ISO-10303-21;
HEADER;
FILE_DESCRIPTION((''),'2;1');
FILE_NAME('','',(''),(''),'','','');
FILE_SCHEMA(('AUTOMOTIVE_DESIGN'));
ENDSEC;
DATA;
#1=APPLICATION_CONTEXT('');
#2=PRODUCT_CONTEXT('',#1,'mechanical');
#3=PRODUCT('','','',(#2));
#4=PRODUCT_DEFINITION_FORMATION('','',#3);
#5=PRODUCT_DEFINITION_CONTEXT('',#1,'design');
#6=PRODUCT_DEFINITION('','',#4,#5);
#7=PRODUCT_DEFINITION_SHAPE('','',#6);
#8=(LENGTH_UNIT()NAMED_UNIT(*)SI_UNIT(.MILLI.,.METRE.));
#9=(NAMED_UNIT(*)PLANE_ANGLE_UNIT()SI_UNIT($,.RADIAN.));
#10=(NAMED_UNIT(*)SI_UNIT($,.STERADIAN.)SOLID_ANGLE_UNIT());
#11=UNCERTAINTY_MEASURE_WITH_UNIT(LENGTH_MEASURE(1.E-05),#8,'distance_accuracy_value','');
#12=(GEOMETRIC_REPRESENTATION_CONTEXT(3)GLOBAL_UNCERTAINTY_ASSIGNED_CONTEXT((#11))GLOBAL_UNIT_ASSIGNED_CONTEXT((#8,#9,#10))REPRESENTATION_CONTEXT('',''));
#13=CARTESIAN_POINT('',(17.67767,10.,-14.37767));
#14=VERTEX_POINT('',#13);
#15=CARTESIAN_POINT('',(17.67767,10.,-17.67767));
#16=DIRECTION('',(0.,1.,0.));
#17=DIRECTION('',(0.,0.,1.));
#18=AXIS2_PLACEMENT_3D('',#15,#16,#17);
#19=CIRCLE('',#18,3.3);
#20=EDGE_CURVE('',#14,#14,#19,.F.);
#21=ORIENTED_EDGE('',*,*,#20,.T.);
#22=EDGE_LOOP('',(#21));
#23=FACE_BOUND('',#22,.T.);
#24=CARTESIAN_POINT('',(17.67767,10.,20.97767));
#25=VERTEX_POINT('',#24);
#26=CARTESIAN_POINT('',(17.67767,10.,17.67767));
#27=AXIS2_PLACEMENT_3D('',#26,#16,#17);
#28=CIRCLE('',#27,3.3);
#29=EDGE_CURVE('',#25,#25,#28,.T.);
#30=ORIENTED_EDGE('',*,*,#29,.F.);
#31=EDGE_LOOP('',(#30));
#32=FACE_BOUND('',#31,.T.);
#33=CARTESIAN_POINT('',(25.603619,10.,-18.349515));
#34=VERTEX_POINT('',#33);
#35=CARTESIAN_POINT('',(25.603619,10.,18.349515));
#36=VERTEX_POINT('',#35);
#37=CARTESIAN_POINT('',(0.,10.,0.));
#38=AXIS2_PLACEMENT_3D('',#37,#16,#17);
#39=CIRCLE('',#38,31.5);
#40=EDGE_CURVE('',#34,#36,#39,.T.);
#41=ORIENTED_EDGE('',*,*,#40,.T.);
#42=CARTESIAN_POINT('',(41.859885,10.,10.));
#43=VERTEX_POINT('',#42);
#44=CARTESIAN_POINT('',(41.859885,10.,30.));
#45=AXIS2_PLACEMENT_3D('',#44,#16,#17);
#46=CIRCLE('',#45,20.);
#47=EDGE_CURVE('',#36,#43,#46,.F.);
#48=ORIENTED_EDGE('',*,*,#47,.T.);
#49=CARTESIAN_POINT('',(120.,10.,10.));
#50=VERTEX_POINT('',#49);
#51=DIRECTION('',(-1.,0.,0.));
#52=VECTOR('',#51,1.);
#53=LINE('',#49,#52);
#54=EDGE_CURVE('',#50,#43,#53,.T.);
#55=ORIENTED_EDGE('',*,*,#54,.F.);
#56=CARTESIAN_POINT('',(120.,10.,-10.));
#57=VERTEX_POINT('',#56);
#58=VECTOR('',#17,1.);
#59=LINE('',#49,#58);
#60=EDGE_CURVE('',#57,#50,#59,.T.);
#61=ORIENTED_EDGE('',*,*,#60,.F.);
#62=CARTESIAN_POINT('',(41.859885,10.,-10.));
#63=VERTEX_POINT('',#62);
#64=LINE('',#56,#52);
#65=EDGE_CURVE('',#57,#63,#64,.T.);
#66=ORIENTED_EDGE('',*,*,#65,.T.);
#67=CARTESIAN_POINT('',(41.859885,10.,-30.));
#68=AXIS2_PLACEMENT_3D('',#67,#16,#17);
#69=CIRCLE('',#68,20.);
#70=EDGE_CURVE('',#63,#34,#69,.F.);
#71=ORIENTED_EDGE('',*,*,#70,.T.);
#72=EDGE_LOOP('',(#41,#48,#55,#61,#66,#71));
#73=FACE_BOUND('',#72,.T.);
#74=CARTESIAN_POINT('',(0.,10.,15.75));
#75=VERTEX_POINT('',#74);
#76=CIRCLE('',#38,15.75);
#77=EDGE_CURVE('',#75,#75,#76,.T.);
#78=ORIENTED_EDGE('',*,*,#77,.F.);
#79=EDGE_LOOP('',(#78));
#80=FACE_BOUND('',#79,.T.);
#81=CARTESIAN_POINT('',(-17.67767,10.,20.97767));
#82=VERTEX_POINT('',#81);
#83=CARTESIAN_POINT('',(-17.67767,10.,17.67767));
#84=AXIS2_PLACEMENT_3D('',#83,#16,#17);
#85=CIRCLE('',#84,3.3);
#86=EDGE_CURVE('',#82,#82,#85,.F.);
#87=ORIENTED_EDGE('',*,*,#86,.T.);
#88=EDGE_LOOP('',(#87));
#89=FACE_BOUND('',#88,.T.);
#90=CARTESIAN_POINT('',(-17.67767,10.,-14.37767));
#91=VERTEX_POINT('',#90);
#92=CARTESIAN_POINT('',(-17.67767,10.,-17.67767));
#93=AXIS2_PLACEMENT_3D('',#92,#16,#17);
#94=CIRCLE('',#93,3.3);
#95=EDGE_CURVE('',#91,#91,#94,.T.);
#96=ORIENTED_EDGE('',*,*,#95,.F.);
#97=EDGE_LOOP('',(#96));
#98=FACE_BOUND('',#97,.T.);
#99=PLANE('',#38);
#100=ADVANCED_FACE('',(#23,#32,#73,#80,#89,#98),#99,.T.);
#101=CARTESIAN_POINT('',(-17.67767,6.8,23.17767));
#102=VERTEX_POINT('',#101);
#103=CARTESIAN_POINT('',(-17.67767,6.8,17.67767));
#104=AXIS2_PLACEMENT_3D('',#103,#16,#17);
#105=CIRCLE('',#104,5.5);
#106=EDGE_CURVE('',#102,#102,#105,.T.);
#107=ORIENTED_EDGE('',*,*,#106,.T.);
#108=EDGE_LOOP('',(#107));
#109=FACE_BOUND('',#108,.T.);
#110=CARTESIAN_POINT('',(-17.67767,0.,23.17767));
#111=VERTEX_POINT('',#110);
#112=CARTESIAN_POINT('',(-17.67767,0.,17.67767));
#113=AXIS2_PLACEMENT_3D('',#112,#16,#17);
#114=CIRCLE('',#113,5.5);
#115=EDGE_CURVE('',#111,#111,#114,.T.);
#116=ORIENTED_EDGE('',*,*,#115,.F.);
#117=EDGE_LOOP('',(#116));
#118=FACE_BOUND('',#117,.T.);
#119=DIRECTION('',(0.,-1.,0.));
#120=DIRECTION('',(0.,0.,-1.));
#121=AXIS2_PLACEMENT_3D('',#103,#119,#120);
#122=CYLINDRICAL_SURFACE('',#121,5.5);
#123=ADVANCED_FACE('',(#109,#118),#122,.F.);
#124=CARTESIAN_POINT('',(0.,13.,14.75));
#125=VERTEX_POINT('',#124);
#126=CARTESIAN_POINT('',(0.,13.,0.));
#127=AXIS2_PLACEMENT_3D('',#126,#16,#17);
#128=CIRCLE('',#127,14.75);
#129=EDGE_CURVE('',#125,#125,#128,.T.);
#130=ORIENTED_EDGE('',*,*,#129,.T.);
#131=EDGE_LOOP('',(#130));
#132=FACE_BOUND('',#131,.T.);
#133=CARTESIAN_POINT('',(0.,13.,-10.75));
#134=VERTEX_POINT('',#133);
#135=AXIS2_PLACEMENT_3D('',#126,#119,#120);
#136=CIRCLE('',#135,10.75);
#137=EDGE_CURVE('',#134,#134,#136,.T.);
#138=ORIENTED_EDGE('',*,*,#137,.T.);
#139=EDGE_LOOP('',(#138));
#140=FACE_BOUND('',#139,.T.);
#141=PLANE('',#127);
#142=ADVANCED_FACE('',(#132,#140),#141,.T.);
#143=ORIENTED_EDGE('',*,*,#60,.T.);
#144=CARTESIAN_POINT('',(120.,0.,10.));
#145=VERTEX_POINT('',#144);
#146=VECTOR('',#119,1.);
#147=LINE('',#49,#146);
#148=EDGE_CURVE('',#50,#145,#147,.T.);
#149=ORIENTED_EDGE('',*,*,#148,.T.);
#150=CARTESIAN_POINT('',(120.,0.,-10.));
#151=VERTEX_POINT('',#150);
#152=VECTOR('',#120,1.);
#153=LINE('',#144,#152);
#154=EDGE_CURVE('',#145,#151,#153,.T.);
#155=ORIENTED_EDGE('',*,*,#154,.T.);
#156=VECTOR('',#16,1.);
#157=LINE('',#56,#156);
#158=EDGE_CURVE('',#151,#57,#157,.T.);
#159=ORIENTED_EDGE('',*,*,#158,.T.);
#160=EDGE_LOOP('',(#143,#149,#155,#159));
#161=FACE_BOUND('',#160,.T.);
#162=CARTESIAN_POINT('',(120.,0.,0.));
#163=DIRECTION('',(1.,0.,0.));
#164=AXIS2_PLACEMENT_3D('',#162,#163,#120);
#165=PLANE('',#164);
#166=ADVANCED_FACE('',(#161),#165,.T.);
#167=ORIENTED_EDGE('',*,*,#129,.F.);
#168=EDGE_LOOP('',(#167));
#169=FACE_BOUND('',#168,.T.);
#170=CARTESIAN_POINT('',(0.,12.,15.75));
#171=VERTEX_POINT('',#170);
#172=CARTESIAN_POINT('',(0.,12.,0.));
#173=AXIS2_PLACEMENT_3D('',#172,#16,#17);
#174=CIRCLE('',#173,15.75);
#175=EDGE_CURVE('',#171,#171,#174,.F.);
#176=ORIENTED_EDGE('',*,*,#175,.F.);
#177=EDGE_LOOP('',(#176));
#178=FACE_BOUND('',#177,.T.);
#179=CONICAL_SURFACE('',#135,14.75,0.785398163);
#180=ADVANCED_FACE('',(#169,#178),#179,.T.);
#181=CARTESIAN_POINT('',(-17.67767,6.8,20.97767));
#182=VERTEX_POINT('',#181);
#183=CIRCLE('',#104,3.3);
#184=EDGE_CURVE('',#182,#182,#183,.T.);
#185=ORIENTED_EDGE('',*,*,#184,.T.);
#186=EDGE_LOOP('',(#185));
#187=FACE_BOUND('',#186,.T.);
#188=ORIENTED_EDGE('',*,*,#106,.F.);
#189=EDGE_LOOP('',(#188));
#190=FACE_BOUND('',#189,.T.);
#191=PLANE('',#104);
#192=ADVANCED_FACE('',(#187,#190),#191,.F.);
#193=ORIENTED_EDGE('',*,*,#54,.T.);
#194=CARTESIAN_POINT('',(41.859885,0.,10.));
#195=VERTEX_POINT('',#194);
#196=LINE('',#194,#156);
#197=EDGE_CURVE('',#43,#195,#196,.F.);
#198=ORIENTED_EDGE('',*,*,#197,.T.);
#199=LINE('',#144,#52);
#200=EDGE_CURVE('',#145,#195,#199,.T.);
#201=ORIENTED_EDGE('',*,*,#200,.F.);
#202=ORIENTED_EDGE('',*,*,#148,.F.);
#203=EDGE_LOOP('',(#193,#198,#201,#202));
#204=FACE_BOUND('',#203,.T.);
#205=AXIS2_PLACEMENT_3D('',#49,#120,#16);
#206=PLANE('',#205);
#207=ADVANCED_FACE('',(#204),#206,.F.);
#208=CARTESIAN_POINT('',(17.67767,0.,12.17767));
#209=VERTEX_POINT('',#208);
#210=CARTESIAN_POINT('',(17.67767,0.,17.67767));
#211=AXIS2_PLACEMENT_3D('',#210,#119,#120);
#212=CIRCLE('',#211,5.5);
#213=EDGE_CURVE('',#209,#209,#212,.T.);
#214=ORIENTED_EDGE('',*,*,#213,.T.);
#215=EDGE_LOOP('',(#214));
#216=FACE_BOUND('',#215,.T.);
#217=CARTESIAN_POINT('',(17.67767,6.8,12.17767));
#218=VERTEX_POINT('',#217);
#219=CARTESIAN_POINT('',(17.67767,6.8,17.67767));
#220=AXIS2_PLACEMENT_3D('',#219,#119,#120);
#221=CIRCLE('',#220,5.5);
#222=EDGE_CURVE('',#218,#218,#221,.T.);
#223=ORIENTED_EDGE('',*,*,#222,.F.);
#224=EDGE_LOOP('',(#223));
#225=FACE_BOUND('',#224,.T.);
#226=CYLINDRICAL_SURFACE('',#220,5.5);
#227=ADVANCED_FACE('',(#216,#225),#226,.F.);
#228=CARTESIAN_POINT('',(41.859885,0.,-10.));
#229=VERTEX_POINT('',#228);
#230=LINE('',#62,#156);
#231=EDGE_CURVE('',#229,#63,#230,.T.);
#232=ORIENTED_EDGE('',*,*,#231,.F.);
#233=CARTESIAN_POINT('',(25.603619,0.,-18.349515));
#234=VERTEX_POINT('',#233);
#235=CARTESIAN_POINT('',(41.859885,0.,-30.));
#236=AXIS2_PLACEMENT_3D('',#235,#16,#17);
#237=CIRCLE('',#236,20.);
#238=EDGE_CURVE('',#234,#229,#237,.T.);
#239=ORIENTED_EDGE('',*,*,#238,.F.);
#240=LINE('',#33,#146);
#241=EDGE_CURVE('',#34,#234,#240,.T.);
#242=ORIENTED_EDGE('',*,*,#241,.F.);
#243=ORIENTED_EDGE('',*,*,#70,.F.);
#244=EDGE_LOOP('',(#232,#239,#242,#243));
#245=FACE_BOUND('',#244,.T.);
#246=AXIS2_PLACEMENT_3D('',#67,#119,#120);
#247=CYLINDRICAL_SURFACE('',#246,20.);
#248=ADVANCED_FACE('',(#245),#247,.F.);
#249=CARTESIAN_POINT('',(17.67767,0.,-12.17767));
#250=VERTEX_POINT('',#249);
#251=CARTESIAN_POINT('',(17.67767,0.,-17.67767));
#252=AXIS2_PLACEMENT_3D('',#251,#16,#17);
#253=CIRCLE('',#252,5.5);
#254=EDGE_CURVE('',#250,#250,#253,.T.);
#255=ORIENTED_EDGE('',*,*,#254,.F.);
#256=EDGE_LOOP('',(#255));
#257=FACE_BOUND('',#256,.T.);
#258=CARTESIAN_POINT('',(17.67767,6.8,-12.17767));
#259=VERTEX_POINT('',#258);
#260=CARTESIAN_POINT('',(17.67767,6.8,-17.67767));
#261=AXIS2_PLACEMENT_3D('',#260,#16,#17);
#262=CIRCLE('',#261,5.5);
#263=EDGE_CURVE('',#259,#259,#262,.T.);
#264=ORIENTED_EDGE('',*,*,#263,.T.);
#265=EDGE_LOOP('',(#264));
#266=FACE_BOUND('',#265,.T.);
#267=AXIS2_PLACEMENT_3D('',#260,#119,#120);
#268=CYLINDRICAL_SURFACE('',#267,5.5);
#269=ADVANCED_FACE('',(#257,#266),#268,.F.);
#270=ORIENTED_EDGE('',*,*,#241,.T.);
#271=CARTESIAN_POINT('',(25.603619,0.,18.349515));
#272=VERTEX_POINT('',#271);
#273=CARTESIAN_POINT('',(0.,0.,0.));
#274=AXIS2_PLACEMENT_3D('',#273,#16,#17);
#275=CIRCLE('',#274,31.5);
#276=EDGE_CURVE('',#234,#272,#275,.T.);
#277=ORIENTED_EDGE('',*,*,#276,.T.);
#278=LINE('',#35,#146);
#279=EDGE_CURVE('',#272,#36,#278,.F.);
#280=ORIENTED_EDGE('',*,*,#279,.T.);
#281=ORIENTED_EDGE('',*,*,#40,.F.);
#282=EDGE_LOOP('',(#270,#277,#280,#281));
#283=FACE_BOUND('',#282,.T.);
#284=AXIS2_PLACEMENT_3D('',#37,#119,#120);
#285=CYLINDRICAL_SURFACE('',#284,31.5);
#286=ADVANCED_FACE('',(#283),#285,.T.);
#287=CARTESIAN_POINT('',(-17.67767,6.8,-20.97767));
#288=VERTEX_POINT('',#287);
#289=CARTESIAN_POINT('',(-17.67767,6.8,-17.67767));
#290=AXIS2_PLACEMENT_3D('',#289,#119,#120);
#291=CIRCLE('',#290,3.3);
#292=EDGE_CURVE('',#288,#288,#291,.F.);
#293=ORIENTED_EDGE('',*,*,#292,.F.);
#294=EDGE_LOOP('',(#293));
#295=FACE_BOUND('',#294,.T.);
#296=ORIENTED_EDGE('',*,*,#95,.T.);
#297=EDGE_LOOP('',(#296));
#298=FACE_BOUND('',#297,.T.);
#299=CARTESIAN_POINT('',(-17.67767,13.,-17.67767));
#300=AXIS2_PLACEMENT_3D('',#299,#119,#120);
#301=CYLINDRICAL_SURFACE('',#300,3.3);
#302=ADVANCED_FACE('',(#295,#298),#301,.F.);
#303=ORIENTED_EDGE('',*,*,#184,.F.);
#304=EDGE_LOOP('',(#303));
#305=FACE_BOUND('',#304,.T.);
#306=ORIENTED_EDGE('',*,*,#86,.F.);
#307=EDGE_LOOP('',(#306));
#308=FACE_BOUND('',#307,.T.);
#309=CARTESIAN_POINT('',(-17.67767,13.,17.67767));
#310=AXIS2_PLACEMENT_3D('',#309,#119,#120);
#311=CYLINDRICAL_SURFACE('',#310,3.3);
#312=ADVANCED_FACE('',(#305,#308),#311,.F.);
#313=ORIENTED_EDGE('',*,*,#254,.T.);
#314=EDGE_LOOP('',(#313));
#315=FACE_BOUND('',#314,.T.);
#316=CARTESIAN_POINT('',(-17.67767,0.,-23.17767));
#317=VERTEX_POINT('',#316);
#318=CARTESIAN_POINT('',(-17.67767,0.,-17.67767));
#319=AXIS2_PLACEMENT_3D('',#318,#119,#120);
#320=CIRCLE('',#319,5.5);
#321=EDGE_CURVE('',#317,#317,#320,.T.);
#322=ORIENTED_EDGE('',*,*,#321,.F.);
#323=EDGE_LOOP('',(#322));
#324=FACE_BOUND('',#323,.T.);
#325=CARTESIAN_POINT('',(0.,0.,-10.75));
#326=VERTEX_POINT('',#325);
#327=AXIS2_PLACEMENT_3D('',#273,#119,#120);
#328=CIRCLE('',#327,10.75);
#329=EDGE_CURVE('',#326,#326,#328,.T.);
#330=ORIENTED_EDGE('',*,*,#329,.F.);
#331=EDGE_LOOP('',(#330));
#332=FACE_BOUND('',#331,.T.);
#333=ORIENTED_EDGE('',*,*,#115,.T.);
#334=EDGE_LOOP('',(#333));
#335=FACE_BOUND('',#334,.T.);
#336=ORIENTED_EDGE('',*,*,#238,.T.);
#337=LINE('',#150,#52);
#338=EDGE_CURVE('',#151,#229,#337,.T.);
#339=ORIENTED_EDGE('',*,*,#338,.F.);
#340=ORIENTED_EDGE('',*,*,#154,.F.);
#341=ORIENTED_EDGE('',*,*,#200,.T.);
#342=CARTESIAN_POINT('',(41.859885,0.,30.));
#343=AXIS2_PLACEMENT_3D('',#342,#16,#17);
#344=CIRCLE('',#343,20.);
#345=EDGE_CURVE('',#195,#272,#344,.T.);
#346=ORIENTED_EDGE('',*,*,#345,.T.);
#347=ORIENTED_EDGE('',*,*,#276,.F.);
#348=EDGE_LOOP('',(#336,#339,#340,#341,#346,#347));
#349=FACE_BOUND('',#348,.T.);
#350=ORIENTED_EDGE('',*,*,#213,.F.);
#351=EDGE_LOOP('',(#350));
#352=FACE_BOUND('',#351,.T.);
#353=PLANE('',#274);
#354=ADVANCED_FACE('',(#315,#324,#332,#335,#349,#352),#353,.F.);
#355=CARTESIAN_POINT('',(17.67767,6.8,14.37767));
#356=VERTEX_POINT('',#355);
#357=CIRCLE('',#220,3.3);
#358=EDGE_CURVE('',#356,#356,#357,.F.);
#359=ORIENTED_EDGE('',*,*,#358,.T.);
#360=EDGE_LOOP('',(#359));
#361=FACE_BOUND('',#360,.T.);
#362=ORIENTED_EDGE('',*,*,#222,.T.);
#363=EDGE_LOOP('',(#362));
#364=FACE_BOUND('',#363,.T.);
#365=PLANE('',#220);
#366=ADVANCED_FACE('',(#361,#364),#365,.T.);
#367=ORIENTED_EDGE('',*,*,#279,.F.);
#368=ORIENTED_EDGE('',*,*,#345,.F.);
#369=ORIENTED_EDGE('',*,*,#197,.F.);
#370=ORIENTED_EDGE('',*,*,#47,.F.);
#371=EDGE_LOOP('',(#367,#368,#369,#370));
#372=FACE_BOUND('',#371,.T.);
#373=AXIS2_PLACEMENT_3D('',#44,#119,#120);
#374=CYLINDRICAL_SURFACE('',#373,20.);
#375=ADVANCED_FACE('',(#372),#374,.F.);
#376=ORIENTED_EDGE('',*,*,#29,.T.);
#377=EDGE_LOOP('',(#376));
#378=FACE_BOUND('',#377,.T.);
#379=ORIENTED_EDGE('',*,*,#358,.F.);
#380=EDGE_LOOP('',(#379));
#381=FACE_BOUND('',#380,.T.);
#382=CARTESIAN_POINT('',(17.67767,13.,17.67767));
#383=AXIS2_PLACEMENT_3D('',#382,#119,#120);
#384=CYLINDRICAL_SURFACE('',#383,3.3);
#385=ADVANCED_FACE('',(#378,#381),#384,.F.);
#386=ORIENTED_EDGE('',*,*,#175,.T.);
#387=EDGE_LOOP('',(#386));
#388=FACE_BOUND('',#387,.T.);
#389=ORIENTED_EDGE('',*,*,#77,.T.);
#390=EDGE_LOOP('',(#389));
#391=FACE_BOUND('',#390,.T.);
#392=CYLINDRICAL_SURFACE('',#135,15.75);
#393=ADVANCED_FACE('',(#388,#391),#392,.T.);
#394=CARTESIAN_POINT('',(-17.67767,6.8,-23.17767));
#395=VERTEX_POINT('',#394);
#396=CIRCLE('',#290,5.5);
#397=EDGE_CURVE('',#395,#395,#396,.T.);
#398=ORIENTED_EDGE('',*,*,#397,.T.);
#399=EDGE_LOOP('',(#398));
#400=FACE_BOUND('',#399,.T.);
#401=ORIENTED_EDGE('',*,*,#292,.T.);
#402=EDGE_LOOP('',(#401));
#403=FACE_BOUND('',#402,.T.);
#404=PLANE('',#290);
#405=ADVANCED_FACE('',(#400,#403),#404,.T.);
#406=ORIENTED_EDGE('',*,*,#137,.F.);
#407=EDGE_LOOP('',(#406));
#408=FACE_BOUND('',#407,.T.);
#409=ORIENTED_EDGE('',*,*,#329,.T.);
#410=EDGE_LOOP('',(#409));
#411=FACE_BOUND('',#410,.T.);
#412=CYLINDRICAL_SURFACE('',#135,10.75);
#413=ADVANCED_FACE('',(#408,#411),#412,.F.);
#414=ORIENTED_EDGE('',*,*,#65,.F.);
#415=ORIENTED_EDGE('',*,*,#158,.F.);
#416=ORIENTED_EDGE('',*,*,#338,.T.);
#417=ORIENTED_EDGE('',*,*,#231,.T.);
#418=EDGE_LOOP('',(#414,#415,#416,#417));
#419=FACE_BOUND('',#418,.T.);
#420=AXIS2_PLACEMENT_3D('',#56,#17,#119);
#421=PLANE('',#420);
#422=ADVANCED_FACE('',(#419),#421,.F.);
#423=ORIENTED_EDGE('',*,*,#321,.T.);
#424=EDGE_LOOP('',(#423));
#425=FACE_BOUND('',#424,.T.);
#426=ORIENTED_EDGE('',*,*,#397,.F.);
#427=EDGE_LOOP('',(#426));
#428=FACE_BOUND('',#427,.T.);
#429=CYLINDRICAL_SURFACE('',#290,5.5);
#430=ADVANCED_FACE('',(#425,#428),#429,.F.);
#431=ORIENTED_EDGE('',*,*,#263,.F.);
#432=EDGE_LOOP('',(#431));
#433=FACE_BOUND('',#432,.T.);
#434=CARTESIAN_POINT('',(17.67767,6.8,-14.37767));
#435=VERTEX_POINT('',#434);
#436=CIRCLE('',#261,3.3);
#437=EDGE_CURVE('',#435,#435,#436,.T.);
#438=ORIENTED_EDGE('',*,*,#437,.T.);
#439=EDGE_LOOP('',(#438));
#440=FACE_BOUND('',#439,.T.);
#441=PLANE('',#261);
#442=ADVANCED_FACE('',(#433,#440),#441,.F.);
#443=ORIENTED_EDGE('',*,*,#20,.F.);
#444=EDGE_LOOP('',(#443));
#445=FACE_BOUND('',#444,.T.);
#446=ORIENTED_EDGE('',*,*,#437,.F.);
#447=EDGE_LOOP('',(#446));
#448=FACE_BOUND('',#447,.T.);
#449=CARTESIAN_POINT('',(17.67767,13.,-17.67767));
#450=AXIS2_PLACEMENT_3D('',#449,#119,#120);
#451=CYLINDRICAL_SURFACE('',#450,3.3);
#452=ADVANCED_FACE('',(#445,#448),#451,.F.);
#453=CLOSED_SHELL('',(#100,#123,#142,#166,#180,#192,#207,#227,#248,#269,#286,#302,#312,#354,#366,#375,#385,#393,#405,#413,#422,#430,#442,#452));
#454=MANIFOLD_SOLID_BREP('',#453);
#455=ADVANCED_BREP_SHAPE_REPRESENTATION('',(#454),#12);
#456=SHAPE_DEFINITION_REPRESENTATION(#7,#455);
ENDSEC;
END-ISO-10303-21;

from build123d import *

# Parameters (mm, degrees)
SKETCH_2_R          = 31.5
EXTRUDE_1_DEPTH     = 10
SKETCH_3_R          = 15.75
EXTRUDE_2_DEPTH     = 3
SKETCH_5_R          = 3.3
CUT_EXTRUDE_2_DEPTH = 47.405818601
SKETCH_5_3_R        = 5.5
CUT_EXTRUDE_3_DEPTH = 6.8
SKETCH_6_W          = 20
SKETCH_6_H          = 10
EXTRUDE_3_DEPTH     = 120
SKETCH_4_R          = 10.75
CUT_EXTRUDE_4_DEPTH = 125.744739368
CHAMFER_1_SIZE      = 1
FILLET_1_R          = 20
FILLET_2_R          = 20


with BuildPart() as part:
    # 草图2 → 凸台-拉伸1 (new body)
    with BuildSketch(Plane(origin=(0, 0, 0), x_dir=(1, 0, 0), z_dir=(0, 1, 0))):
        Circle(SKETCH_2_R)
    extrude(amount=EXTRUDE_1_DEPTH)

    # 草图3 → 凸台-拉伸2 (add)
    with BuildSketch(Plane(origin=(0, 10, 0), x_dir=(1, 0, 0), z_dir=(0, 1, 0))):
        Circle(SKETCH_3_R)
    extrude(amount=EXTRUDE_2_DEPTH)

    # 草图5 → 切除-拉伸2 (cut, through all)
    with BuildSketch(Plane.XZ):
        with Locations((17.67766953, 17.67766953)):
            Circle(SKETCH_5_R)
        with Locations((-17.67766953, 17.67766953)):
            Circle(SKETCH_5_R)
        with Locations((-17.67766953, -17.67766953)):
            Circle(SKETCH_5_R)
        with Locations((17.67766953, -17.67766953)):
            Circle(SKETCH_5_R)
    extrude(amount=-CUT_EXTRUDE_2_DEPTH, mode=Mode.SUBTRACT)

    # 草图5<3> → 切除-拉伸3 (cut)
    with BuildSketch(Plane.XZ):
        with Locations((17.67766953, 17.67766953)):
            Circle(SKETCH_5_3_R)
        with Locations((-17.67766953, 17.67766953)):
            Circle(SKETCH_5_3_R)
        with Locations((-17.67766953, -17.67766953)):
            Circle(SKETCH_5_3_R)
        with Locations((17.67766953, -17.67766953)):
            Circle(SKETCH_5_3_R)
    extrude(amount=-CUT_EXTRUDE_3_DEPTH, mode=Mode.SUBTRACT)

    # 草图6 → 凸台-拉伸3 (add)
    with BuildSketch(Plane(origin=(0, 0, 0), x_dir=(0, 0, -1), z_dir=(1, 0, 0))):
        with Locations((0, 5)):
            Rectangle(SKETCH_6_W, SKETCH_6_H)
    extrude(amount=EXTRUDE_3_DEPTH)

    # 草图4 → 切除-拉伸4 (cut, through all)
    with BuildSketch(Plane(origin=(0, 0, 0), x_dir=(-1, 0, 0), z_dir=(0, -1, 0))):
        Circle(SKETCH_4_R)
    extrude(amount=-CUT_EXTRUDE_4_DEPTH, mode=Mode.SUBTRACT)

    # 倒角1
    chamfer_1_edges = [part.edges().sort_by_distance(p)[0] for p in [
        (-15.75, 13, 0),
    ]]
    chamfer(chamfer_1_edges, length=CHAMFER_1_SIZE)

    # 圆角1
    fillet_1_edges = [part.edges().sort_by_distance(p)[0] for p in [
        (29.870554062, 5, -10),
    ]]
    fillet(fillet_1_edges, radius=FILLET_1_R)

    # 圆角2
    fillet_2_edges = [part.edges().sort_by_distance(p)[0] for p in [
        (29.870554062, 5, 10),
    ]]
    fillet(fillet_2_edges, radius=FILLET_2_R)


solid = part.part
